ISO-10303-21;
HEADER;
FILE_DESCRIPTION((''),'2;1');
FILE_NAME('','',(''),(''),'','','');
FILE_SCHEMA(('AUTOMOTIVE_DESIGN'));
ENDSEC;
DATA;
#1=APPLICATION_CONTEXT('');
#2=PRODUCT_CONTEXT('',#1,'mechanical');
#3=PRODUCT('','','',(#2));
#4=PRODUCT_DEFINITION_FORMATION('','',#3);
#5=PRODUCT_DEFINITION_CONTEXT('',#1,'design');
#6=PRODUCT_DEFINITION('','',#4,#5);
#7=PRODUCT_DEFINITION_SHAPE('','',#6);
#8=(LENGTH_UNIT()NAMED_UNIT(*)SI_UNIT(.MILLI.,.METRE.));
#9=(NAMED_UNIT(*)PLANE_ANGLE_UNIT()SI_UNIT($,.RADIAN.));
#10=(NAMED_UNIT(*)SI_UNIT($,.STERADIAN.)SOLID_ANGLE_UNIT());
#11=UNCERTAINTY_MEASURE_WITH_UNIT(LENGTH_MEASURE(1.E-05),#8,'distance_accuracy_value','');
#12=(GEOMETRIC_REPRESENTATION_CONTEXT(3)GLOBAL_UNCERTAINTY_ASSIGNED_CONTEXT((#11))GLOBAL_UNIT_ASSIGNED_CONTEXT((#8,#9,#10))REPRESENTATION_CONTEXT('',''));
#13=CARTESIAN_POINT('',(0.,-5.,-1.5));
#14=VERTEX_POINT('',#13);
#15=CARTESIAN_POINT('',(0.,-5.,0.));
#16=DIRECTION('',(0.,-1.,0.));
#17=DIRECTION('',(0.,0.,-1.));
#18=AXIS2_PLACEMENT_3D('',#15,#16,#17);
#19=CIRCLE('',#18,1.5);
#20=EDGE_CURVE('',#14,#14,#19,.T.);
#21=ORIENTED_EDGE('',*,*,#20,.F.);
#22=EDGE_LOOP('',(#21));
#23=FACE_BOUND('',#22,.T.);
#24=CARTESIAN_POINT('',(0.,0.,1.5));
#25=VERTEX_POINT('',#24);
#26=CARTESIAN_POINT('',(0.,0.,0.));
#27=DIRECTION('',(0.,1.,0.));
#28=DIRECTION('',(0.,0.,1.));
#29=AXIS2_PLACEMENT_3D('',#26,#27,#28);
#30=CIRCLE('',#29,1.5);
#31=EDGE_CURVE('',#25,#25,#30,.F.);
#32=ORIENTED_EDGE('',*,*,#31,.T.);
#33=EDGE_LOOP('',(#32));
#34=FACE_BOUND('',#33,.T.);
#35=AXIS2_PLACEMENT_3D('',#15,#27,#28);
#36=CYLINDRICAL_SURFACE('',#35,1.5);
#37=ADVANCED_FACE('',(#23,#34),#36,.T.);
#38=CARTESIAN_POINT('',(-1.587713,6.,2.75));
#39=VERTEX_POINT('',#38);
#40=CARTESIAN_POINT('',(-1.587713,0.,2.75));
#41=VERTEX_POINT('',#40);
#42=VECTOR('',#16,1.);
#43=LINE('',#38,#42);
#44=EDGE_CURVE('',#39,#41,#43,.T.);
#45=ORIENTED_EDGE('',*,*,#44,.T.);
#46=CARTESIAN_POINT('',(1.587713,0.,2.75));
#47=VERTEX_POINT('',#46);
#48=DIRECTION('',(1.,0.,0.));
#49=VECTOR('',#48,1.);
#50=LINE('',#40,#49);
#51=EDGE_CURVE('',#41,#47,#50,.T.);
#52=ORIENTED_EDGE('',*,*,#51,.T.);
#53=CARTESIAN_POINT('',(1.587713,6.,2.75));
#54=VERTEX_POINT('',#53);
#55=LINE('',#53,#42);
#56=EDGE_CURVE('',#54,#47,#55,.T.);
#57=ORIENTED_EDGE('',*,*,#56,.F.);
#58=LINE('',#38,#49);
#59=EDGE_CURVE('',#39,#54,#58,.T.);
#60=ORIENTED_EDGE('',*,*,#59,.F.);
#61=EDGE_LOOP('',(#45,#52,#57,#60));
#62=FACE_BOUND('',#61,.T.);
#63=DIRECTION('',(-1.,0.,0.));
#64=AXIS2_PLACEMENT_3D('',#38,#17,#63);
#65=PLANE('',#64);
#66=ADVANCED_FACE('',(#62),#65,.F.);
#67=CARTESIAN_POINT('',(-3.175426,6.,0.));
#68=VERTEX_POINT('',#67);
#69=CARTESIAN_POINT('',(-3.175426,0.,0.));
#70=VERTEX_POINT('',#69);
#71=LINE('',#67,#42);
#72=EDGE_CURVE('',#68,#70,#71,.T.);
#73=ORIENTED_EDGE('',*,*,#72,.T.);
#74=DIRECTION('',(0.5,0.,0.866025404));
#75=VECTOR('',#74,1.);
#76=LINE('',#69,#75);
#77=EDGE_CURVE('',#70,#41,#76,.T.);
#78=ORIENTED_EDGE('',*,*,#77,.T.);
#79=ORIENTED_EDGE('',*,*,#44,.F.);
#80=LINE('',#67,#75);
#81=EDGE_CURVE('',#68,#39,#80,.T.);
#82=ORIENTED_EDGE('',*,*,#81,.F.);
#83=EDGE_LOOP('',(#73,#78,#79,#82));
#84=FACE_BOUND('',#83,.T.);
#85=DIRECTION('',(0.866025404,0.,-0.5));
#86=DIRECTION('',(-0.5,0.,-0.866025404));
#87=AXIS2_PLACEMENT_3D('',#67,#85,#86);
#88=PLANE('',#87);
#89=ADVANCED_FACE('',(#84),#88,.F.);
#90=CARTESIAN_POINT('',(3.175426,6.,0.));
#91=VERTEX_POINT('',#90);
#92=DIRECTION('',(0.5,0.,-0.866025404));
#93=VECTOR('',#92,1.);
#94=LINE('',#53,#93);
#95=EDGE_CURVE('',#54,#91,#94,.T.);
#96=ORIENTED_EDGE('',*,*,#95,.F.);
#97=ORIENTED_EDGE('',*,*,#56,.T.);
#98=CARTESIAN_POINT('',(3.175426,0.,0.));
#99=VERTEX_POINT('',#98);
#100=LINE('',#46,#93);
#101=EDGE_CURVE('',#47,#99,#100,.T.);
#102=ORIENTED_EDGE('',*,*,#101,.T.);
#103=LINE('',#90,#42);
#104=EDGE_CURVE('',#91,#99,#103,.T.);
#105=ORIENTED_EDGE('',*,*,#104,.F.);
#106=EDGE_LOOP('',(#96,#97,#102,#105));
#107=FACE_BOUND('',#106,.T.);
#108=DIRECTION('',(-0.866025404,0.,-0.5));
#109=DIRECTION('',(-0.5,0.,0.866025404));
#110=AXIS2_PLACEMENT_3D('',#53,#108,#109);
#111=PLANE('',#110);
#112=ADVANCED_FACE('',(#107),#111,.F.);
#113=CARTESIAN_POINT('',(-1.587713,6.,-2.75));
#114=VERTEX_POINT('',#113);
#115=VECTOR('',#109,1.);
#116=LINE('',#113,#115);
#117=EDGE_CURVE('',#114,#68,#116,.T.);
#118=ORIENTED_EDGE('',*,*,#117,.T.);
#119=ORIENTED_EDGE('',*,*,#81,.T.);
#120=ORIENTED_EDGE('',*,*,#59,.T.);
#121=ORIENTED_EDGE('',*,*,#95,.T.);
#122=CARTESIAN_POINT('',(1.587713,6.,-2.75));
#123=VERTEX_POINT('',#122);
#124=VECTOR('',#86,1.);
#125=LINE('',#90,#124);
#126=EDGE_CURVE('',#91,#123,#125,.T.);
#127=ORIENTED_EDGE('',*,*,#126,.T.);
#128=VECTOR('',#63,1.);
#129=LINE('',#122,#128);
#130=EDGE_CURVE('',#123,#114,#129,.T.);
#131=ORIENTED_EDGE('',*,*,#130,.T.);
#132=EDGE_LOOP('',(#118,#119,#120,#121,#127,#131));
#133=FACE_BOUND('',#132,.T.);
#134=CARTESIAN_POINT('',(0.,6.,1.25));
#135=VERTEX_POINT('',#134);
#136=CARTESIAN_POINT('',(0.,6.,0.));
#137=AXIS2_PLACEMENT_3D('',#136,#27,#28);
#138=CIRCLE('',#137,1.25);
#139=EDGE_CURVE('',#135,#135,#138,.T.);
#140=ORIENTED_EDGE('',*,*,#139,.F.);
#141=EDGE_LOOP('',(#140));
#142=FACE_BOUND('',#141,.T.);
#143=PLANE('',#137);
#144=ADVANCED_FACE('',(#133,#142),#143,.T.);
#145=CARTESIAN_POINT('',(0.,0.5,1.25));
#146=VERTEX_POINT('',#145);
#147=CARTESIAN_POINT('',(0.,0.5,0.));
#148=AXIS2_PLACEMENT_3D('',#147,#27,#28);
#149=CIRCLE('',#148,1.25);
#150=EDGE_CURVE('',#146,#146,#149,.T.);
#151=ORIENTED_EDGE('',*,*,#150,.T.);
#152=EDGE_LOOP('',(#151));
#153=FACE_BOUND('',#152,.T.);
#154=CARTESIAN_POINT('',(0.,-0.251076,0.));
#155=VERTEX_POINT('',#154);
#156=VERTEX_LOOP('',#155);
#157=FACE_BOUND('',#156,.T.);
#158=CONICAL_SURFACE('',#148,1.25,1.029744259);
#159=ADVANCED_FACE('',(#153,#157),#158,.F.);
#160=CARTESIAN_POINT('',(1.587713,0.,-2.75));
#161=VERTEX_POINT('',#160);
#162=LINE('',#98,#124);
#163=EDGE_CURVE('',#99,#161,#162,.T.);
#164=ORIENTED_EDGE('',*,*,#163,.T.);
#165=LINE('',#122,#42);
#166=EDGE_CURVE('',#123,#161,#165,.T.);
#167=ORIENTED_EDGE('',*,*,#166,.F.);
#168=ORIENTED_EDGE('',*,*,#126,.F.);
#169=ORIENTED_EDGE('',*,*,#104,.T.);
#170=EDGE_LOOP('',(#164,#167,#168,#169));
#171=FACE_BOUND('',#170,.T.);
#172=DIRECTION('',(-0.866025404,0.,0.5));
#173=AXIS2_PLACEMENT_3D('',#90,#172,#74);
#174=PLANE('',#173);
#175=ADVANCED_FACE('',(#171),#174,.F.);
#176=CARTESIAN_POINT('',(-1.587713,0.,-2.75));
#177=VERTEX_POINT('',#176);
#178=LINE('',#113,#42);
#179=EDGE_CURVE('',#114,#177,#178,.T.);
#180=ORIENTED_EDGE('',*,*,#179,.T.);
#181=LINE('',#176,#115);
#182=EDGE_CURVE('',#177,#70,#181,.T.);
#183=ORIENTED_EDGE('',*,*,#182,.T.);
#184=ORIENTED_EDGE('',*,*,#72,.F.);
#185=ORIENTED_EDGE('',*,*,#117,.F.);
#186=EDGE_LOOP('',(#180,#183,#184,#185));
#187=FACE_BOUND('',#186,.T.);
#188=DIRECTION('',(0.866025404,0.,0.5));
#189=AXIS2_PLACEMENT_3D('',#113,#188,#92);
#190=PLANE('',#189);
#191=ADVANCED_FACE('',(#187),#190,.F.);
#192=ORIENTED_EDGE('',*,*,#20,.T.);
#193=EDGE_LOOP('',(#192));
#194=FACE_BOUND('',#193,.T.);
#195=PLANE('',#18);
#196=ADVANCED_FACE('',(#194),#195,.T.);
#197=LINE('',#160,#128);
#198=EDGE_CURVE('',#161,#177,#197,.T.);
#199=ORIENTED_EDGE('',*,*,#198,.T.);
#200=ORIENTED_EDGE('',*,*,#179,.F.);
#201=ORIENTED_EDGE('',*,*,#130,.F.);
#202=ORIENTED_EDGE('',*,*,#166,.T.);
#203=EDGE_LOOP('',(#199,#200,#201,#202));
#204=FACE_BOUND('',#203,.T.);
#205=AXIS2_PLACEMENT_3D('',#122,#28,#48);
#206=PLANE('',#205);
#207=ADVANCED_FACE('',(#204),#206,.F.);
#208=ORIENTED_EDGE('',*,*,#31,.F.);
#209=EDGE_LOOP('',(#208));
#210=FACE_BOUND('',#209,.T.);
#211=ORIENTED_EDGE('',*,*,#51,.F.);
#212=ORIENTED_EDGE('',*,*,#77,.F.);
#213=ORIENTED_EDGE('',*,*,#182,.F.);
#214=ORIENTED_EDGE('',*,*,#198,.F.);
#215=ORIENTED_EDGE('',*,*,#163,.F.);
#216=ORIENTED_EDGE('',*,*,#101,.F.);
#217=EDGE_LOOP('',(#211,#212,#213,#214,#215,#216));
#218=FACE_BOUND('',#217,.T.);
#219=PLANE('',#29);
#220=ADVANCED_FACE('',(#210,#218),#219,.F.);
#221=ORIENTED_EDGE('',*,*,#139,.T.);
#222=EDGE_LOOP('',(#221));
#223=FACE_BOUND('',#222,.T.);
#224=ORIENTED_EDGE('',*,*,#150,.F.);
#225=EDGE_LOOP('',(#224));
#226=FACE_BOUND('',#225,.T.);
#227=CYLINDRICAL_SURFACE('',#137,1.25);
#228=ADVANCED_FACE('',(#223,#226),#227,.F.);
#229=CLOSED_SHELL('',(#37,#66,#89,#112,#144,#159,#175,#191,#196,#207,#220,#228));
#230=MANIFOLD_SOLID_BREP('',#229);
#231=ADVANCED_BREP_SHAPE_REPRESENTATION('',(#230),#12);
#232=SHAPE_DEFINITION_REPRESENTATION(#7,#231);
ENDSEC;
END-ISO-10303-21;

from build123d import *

# Parameters (mm, degrees)
BOSS_EXTRUDE1_DEPTH       = 6
SKETCH2_R                 = 1.5
BOSS_EXTRUDE2_DEPTH       = 5
M3X0_5_TAPPED_HOLE1_D     = 2.5
M3X0_5_TAPPED_HOLE1_DEPTH = 5.5
M3X0_5_TAPPED_HOLE1_TIP   = 0.751075774


with BuildPart() as part:
    # Sketch1 → Boss-Extrude1 (new body)
    with BuildSketch(Plane(origin=(0, 0, 0), x_dir=(1, 0, 0), z_dir=(0, 1, 0))):
        Polygon((1.58771324, 2.75), (-1.58771324, 2.75), (-3.175426481, 0), (-1.58771324, -2.75), (1.58771324, -2.75), (3.175426481, 0), align=None)
    extrude(amount=BOSS_EXTRUDE1_DEPTH)

    # Sketch2 → Boss-Extrude2 (add)
    with BuildSketch(Plane.XZ):
        with Locations(Location((0, 0, 0), (0, 0, 90))):
            Circle(SKETCH2_R)
    extrude(amount=BOSS_EXTRUDE2_DEPTH)

    # M3x0.5 Tapped Hole1
    with Locations(Plane(origin=(0, 6, 0), x_dir=(1, 0, 0), z_dir=(0, 1, 0))):
        with Locations((0, 0)):
            Hole(M3X0_5_TAPPED_HOLE1_D / 2, depth=M3X0_5_TAPPED_HOLE1_DEPTH)
            with Locations((0, 0, -(M3X0_5_TAPPED_HOLE1_DEPTH + M3X0_5_TAPPED_HOLE1_TIP / 2))):  # 118° drill point
                Cone(0, M3X0_5_TAPPED_HOLE1_D / 2, M3X0_5_TAPPED_HOLE1_TIP, mode=Mode.SUBTRACT)


solid = part.part
